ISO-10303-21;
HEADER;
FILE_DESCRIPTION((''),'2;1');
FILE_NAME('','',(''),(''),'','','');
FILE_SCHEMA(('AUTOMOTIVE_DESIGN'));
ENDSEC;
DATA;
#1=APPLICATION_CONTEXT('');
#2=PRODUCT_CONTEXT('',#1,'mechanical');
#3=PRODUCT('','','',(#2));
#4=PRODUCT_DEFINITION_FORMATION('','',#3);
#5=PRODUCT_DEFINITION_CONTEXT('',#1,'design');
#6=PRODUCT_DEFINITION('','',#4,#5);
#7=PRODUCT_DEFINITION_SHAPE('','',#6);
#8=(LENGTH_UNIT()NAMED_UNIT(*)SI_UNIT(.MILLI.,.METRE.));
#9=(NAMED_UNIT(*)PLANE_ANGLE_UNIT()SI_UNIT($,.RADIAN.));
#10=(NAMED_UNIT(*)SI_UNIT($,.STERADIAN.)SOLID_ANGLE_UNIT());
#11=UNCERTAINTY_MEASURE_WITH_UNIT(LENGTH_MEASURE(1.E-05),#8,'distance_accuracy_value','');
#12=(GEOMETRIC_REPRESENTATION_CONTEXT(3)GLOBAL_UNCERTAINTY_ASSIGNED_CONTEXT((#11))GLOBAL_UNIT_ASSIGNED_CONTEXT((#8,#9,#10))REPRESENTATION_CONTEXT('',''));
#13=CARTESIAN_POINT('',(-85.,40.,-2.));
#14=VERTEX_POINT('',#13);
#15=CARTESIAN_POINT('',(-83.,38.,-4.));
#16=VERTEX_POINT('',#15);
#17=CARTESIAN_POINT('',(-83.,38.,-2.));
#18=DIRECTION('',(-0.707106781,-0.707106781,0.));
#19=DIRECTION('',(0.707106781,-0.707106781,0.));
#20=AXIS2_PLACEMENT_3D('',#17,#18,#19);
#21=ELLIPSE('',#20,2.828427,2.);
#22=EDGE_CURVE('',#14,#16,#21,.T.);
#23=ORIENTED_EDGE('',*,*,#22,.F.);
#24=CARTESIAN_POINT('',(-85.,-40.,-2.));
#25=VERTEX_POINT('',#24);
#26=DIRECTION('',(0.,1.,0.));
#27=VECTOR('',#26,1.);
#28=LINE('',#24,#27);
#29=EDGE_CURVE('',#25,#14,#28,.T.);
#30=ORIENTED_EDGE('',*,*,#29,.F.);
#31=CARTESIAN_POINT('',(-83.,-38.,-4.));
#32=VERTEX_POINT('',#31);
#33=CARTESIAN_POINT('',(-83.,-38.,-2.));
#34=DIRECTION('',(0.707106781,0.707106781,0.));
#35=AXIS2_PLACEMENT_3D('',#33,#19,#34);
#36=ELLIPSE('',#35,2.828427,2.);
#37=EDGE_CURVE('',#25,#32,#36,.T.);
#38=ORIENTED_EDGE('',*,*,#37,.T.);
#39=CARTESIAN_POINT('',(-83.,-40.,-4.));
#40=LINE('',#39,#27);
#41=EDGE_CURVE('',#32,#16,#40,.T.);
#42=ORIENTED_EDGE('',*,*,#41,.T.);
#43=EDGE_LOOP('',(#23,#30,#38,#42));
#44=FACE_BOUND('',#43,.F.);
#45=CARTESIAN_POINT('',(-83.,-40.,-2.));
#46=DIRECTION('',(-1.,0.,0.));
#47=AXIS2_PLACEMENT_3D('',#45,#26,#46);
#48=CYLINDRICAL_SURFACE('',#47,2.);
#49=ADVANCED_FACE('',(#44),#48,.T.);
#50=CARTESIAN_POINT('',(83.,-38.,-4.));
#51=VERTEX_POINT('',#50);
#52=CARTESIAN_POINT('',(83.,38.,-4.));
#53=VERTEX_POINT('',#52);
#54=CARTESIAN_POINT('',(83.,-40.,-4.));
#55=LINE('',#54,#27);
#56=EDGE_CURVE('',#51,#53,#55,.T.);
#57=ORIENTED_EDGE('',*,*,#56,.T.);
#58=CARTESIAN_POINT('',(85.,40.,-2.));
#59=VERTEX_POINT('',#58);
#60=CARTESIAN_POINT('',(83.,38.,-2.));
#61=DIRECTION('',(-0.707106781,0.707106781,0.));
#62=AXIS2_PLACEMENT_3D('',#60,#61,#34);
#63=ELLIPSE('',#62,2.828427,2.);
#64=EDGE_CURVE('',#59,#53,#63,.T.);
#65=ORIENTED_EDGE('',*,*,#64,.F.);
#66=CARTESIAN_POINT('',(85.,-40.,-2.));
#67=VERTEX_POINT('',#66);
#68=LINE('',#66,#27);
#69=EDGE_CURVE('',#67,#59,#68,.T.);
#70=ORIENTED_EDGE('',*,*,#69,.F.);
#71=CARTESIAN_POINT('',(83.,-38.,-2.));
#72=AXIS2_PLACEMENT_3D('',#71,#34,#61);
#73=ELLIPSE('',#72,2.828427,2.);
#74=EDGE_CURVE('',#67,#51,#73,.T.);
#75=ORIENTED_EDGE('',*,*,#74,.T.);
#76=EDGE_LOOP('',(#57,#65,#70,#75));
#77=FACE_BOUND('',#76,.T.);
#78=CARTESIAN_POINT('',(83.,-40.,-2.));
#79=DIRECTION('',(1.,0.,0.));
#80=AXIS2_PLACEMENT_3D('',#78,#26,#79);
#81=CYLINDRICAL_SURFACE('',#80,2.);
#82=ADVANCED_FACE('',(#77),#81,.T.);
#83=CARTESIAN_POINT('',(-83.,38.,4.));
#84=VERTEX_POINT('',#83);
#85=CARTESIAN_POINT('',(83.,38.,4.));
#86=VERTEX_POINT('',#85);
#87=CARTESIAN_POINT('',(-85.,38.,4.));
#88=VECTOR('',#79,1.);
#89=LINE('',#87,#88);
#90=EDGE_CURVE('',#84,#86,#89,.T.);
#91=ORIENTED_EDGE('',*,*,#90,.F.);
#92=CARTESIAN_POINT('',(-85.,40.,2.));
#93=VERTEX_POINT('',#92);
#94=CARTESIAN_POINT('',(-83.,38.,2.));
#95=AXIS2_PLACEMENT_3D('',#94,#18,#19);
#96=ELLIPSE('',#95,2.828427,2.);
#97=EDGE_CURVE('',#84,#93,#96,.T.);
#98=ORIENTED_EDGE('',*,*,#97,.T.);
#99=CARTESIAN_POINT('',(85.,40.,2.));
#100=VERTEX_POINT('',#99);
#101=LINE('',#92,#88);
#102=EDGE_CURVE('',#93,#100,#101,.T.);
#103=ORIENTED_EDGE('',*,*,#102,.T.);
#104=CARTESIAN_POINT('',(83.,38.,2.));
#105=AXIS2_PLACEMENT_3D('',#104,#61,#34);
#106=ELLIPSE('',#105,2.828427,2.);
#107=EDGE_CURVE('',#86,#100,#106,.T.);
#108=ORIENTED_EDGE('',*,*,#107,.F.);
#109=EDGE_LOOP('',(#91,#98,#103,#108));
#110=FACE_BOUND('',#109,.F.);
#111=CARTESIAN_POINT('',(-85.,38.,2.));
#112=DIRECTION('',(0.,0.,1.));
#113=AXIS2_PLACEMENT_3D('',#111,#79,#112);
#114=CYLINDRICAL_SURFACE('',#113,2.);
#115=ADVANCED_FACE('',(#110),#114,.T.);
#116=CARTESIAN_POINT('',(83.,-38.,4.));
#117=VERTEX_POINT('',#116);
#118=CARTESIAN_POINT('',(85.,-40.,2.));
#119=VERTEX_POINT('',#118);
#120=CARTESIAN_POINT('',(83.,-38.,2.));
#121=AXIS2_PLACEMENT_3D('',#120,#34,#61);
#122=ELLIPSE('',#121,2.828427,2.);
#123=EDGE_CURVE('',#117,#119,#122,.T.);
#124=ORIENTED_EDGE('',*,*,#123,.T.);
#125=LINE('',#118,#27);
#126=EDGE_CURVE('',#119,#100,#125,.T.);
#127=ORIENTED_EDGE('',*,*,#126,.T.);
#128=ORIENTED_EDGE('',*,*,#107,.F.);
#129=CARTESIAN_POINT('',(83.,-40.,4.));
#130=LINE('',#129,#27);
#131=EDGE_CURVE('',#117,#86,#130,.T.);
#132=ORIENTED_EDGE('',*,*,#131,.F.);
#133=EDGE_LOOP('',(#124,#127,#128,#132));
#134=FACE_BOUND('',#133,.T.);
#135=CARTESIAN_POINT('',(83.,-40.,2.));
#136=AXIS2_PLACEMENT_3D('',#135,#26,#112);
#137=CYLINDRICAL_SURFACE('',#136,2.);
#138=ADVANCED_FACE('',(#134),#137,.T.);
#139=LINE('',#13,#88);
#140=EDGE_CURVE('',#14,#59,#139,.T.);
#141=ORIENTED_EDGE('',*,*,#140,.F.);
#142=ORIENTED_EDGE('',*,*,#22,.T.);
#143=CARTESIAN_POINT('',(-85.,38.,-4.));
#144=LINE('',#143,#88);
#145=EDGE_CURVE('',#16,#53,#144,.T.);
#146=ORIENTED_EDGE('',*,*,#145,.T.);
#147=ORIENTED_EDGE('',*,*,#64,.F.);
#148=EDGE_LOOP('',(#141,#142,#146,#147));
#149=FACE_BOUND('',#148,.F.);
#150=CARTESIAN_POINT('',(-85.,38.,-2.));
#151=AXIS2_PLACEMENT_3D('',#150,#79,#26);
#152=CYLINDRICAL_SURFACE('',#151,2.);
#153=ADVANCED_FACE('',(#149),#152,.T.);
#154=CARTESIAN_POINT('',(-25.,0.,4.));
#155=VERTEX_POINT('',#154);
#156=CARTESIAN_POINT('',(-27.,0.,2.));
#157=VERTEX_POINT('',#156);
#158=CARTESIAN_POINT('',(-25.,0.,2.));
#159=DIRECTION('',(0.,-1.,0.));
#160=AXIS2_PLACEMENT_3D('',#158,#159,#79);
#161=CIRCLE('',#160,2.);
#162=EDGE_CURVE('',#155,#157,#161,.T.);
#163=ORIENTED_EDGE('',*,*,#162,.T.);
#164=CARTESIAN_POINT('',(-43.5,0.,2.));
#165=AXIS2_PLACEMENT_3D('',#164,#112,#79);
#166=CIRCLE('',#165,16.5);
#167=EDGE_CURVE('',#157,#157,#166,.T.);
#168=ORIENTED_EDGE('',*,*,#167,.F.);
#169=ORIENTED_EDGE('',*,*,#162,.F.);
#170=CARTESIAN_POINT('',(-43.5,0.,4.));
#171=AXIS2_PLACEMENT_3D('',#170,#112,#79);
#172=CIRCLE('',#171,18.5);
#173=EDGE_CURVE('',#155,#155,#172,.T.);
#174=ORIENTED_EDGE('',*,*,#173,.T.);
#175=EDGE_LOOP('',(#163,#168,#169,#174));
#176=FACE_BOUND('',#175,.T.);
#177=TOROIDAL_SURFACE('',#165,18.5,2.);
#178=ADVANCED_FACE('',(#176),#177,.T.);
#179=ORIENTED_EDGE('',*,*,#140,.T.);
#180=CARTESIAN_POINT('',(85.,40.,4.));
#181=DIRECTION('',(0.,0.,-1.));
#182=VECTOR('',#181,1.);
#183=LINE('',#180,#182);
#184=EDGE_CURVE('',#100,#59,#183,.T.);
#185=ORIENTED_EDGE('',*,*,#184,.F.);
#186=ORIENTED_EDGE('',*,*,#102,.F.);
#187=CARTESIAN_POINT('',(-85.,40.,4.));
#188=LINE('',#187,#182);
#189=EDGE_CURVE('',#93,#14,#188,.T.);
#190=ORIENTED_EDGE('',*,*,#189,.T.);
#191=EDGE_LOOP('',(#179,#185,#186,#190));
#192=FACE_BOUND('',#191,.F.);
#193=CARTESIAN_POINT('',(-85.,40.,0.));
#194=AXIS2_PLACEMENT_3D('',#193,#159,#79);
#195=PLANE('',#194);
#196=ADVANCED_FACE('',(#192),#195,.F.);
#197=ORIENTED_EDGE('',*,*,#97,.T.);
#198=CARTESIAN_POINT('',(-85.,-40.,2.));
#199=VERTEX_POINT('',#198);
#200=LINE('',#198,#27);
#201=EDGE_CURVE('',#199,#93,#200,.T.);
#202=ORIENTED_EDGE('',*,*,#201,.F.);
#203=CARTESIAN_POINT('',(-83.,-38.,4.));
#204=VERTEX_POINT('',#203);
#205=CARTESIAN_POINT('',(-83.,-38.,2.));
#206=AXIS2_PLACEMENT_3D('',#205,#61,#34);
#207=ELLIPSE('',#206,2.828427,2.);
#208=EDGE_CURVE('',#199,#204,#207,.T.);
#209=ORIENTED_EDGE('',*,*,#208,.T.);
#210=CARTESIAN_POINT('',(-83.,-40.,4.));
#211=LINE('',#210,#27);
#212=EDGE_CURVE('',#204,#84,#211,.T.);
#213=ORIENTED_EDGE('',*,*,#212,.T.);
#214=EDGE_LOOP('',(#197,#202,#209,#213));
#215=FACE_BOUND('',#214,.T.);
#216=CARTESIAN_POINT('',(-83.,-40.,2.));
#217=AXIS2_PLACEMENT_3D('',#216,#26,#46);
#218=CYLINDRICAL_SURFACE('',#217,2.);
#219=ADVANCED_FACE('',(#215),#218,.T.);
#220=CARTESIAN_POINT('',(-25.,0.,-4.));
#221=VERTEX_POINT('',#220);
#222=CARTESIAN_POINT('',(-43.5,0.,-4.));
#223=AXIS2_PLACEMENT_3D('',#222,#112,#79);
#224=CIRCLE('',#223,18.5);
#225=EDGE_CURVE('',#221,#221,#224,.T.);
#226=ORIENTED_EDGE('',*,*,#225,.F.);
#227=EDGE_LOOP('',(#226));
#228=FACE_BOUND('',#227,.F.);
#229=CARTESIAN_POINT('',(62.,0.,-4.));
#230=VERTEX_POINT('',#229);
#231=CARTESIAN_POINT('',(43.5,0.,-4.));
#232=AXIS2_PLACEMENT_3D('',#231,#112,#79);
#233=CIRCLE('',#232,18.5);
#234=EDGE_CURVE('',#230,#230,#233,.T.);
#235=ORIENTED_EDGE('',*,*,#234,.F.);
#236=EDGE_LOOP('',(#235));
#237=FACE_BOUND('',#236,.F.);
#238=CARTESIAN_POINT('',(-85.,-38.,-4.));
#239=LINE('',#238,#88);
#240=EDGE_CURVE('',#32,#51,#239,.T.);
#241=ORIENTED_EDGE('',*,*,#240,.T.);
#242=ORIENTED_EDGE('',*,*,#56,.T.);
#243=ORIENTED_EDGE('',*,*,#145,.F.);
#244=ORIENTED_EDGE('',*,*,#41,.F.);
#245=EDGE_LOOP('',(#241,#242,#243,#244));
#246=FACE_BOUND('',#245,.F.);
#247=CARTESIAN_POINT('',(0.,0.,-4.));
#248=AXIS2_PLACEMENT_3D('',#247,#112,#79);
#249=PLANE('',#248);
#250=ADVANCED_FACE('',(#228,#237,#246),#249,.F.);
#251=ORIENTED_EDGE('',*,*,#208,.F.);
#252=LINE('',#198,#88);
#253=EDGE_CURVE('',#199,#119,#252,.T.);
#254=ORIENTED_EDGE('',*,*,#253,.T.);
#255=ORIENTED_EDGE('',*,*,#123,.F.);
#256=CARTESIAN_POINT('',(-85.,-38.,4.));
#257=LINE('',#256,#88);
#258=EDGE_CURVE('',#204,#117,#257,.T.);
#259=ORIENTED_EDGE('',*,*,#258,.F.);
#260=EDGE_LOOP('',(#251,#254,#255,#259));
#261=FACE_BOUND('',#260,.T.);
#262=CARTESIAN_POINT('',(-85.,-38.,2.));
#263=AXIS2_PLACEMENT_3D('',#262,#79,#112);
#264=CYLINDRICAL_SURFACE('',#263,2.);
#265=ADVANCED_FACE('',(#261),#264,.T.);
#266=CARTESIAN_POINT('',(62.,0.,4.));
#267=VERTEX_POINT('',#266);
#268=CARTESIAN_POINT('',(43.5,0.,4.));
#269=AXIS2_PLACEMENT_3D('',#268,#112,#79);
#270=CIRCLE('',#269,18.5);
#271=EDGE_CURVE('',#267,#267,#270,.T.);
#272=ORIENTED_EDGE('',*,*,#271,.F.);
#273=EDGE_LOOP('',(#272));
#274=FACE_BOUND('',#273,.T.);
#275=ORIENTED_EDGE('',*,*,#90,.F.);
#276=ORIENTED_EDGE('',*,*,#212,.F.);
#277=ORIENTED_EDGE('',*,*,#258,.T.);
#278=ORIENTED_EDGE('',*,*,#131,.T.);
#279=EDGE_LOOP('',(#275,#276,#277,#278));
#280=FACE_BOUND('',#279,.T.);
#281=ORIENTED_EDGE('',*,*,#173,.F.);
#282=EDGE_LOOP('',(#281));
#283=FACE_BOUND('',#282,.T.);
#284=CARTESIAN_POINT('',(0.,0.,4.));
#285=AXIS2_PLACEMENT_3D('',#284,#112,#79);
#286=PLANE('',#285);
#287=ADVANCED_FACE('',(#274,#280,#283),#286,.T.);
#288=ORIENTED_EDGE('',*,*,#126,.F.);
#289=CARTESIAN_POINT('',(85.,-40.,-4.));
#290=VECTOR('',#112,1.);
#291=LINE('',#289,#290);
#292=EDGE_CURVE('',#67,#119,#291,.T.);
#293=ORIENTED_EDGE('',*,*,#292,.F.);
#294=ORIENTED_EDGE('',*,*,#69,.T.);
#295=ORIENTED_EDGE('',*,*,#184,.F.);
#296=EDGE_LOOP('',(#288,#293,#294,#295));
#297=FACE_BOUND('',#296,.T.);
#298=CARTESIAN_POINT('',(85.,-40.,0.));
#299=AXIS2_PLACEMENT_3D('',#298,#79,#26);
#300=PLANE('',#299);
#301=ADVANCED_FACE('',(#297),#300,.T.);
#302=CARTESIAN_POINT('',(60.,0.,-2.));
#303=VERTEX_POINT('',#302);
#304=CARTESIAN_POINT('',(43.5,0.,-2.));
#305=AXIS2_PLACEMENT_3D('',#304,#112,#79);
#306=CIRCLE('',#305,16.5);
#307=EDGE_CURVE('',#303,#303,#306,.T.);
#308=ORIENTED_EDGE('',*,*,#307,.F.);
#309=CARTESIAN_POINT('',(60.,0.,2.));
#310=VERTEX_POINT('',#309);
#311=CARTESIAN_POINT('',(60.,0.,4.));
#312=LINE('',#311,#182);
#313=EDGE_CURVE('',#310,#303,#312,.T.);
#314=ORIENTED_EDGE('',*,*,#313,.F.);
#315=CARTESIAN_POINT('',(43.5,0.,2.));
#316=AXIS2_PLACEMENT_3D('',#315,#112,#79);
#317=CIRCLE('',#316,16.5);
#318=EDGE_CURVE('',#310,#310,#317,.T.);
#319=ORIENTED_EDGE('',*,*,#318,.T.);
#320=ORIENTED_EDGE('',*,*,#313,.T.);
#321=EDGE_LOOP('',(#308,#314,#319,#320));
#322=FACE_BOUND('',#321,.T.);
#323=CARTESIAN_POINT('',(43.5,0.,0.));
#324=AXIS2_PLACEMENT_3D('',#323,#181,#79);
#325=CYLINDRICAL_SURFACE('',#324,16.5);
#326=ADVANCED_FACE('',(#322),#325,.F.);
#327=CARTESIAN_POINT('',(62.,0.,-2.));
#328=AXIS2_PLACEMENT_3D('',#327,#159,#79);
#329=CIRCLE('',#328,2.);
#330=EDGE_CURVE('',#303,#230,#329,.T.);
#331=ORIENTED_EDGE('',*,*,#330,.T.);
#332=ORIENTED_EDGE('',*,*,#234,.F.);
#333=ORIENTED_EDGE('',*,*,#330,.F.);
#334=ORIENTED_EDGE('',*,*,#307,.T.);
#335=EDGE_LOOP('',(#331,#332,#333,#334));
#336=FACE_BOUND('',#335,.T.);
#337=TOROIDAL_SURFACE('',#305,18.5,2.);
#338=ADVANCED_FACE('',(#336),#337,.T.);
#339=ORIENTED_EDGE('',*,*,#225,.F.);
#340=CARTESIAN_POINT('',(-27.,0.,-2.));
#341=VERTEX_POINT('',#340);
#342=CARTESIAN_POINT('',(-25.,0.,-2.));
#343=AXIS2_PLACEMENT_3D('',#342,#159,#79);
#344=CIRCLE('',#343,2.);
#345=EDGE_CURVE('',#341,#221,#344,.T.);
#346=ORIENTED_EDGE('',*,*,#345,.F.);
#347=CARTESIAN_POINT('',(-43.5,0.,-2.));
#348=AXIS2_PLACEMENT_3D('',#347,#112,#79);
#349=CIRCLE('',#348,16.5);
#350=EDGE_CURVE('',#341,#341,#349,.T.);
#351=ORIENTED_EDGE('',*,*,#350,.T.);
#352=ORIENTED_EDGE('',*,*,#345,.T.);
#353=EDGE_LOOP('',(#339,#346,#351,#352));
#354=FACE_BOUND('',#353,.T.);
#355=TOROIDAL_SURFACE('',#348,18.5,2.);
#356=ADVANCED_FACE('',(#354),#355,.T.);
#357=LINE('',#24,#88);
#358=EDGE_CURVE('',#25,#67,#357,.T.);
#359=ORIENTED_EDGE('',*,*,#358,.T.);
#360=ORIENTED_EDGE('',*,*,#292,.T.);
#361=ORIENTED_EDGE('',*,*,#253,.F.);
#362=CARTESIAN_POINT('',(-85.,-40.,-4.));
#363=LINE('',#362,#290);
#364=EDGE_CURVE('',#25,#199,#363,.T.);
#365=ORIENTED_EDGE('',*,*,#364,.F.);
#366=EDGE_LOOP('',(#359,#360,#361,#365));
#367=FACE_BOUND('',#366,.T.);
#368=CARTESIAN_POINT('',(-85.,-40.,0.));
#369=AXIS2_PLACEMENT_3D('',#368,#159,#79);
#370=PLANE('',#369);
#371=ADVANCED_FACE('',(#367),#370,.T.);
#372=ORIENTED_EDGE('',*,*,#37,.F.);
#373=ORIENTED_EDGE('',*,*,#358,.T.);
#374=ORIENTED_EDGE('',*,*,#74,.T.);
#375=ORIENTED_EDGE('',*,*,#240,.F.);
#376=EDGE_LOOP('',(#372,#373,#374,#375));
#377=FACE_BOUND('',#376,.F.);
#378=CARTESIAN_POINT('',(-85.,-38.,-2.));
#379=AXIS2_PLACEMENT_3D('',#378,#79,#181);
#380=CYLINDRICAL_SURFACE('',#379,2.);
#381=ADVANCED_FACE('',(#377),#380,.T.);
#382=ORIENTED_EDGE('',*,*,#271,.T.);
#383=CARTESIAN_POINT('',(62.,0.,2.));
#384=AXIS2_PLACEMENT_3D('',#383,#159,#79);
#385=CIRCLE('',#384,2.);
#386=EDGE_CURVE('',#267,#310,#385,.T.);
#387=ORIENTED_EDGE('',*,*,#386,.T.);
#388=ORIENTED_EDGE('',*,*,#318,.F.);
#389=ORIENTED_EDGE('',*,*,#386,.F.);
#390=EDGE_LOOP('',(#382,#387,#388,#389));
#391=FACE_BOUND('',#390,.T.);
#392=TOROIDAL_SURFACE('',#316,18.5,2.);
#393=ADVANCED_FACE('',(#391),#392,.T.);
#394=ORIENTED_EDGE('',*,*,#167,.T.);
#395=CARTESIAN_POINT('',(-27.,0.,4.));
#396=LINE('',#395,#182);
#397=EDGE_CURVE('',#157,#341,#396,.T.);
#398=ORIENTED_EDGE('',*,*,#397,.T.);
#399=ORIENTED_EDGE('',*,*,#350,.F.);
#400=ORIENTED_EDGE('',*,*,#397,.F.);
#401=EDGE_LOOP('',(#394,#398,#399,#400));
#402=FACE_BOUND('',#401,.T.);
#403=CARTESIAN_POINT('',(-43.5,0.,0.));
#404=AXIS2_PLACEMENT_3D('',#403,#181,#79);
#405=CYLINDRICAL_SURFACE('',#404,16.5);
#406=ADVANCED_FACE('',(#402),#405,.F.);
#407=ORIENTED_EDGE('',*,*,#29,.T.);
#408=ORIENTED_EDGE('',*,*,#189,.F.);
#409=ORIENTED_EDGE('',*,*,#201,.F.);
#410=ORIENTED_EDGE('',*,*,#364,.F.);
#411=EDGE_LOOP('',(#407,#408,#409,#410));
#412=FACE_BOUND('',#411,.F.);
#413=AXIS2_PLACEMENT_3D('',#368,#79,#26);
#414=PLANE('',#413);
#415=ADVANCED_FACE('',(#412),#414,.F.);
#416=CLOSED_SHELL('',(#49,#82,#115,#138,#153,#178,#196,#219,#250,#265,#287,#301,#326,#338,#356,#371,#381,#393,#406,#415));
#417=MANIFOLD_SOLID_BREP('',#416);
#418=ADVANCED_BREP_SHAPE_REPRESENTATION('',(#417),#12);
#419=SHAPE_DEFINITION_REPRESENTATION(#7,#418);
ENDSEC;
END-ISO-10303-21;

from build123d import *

# Parameters (mm, degrees)
F0_W     = 170
F0_H     = 80
F0_R     = 16.5
F1_DEPTH = 4
F2_R     = 2


with BuildPart() as f1:
    # F0 (on Top) → F1 (new body, symmetric)
    with BuildSketch(Plane.XY):
        Rectangle(F0_W, F0_H)
        with Locations((-43.5, 0)):
            Circle(F0_R, mode=Mode.SUBTRACT)
        with Locations((43.5, 0)):
            Circle(F0_R, mode=Mode.SUBTRACT)
    extrude(amount=F1_DEPTH, both=True)

    # F2
    f2_edges = [f1.edges().sort_by_distance(p)[0] for p in [
        (85, 0, -4),
        (0, 40, -4),
        (-85, 0, -4),
        (0, -40, -4),
        (-60, 0, -4),
        (27, 0, -4),
        (85, 0, 4),
        (0, 40, 4),
        (-85, 0, 4),
        (0, -40, 4),
        (-60, 0, 4),
        (27, 0, 4),
    ]]
    fillet(f2_edges, radius=F2_R)


solid = f1.part
